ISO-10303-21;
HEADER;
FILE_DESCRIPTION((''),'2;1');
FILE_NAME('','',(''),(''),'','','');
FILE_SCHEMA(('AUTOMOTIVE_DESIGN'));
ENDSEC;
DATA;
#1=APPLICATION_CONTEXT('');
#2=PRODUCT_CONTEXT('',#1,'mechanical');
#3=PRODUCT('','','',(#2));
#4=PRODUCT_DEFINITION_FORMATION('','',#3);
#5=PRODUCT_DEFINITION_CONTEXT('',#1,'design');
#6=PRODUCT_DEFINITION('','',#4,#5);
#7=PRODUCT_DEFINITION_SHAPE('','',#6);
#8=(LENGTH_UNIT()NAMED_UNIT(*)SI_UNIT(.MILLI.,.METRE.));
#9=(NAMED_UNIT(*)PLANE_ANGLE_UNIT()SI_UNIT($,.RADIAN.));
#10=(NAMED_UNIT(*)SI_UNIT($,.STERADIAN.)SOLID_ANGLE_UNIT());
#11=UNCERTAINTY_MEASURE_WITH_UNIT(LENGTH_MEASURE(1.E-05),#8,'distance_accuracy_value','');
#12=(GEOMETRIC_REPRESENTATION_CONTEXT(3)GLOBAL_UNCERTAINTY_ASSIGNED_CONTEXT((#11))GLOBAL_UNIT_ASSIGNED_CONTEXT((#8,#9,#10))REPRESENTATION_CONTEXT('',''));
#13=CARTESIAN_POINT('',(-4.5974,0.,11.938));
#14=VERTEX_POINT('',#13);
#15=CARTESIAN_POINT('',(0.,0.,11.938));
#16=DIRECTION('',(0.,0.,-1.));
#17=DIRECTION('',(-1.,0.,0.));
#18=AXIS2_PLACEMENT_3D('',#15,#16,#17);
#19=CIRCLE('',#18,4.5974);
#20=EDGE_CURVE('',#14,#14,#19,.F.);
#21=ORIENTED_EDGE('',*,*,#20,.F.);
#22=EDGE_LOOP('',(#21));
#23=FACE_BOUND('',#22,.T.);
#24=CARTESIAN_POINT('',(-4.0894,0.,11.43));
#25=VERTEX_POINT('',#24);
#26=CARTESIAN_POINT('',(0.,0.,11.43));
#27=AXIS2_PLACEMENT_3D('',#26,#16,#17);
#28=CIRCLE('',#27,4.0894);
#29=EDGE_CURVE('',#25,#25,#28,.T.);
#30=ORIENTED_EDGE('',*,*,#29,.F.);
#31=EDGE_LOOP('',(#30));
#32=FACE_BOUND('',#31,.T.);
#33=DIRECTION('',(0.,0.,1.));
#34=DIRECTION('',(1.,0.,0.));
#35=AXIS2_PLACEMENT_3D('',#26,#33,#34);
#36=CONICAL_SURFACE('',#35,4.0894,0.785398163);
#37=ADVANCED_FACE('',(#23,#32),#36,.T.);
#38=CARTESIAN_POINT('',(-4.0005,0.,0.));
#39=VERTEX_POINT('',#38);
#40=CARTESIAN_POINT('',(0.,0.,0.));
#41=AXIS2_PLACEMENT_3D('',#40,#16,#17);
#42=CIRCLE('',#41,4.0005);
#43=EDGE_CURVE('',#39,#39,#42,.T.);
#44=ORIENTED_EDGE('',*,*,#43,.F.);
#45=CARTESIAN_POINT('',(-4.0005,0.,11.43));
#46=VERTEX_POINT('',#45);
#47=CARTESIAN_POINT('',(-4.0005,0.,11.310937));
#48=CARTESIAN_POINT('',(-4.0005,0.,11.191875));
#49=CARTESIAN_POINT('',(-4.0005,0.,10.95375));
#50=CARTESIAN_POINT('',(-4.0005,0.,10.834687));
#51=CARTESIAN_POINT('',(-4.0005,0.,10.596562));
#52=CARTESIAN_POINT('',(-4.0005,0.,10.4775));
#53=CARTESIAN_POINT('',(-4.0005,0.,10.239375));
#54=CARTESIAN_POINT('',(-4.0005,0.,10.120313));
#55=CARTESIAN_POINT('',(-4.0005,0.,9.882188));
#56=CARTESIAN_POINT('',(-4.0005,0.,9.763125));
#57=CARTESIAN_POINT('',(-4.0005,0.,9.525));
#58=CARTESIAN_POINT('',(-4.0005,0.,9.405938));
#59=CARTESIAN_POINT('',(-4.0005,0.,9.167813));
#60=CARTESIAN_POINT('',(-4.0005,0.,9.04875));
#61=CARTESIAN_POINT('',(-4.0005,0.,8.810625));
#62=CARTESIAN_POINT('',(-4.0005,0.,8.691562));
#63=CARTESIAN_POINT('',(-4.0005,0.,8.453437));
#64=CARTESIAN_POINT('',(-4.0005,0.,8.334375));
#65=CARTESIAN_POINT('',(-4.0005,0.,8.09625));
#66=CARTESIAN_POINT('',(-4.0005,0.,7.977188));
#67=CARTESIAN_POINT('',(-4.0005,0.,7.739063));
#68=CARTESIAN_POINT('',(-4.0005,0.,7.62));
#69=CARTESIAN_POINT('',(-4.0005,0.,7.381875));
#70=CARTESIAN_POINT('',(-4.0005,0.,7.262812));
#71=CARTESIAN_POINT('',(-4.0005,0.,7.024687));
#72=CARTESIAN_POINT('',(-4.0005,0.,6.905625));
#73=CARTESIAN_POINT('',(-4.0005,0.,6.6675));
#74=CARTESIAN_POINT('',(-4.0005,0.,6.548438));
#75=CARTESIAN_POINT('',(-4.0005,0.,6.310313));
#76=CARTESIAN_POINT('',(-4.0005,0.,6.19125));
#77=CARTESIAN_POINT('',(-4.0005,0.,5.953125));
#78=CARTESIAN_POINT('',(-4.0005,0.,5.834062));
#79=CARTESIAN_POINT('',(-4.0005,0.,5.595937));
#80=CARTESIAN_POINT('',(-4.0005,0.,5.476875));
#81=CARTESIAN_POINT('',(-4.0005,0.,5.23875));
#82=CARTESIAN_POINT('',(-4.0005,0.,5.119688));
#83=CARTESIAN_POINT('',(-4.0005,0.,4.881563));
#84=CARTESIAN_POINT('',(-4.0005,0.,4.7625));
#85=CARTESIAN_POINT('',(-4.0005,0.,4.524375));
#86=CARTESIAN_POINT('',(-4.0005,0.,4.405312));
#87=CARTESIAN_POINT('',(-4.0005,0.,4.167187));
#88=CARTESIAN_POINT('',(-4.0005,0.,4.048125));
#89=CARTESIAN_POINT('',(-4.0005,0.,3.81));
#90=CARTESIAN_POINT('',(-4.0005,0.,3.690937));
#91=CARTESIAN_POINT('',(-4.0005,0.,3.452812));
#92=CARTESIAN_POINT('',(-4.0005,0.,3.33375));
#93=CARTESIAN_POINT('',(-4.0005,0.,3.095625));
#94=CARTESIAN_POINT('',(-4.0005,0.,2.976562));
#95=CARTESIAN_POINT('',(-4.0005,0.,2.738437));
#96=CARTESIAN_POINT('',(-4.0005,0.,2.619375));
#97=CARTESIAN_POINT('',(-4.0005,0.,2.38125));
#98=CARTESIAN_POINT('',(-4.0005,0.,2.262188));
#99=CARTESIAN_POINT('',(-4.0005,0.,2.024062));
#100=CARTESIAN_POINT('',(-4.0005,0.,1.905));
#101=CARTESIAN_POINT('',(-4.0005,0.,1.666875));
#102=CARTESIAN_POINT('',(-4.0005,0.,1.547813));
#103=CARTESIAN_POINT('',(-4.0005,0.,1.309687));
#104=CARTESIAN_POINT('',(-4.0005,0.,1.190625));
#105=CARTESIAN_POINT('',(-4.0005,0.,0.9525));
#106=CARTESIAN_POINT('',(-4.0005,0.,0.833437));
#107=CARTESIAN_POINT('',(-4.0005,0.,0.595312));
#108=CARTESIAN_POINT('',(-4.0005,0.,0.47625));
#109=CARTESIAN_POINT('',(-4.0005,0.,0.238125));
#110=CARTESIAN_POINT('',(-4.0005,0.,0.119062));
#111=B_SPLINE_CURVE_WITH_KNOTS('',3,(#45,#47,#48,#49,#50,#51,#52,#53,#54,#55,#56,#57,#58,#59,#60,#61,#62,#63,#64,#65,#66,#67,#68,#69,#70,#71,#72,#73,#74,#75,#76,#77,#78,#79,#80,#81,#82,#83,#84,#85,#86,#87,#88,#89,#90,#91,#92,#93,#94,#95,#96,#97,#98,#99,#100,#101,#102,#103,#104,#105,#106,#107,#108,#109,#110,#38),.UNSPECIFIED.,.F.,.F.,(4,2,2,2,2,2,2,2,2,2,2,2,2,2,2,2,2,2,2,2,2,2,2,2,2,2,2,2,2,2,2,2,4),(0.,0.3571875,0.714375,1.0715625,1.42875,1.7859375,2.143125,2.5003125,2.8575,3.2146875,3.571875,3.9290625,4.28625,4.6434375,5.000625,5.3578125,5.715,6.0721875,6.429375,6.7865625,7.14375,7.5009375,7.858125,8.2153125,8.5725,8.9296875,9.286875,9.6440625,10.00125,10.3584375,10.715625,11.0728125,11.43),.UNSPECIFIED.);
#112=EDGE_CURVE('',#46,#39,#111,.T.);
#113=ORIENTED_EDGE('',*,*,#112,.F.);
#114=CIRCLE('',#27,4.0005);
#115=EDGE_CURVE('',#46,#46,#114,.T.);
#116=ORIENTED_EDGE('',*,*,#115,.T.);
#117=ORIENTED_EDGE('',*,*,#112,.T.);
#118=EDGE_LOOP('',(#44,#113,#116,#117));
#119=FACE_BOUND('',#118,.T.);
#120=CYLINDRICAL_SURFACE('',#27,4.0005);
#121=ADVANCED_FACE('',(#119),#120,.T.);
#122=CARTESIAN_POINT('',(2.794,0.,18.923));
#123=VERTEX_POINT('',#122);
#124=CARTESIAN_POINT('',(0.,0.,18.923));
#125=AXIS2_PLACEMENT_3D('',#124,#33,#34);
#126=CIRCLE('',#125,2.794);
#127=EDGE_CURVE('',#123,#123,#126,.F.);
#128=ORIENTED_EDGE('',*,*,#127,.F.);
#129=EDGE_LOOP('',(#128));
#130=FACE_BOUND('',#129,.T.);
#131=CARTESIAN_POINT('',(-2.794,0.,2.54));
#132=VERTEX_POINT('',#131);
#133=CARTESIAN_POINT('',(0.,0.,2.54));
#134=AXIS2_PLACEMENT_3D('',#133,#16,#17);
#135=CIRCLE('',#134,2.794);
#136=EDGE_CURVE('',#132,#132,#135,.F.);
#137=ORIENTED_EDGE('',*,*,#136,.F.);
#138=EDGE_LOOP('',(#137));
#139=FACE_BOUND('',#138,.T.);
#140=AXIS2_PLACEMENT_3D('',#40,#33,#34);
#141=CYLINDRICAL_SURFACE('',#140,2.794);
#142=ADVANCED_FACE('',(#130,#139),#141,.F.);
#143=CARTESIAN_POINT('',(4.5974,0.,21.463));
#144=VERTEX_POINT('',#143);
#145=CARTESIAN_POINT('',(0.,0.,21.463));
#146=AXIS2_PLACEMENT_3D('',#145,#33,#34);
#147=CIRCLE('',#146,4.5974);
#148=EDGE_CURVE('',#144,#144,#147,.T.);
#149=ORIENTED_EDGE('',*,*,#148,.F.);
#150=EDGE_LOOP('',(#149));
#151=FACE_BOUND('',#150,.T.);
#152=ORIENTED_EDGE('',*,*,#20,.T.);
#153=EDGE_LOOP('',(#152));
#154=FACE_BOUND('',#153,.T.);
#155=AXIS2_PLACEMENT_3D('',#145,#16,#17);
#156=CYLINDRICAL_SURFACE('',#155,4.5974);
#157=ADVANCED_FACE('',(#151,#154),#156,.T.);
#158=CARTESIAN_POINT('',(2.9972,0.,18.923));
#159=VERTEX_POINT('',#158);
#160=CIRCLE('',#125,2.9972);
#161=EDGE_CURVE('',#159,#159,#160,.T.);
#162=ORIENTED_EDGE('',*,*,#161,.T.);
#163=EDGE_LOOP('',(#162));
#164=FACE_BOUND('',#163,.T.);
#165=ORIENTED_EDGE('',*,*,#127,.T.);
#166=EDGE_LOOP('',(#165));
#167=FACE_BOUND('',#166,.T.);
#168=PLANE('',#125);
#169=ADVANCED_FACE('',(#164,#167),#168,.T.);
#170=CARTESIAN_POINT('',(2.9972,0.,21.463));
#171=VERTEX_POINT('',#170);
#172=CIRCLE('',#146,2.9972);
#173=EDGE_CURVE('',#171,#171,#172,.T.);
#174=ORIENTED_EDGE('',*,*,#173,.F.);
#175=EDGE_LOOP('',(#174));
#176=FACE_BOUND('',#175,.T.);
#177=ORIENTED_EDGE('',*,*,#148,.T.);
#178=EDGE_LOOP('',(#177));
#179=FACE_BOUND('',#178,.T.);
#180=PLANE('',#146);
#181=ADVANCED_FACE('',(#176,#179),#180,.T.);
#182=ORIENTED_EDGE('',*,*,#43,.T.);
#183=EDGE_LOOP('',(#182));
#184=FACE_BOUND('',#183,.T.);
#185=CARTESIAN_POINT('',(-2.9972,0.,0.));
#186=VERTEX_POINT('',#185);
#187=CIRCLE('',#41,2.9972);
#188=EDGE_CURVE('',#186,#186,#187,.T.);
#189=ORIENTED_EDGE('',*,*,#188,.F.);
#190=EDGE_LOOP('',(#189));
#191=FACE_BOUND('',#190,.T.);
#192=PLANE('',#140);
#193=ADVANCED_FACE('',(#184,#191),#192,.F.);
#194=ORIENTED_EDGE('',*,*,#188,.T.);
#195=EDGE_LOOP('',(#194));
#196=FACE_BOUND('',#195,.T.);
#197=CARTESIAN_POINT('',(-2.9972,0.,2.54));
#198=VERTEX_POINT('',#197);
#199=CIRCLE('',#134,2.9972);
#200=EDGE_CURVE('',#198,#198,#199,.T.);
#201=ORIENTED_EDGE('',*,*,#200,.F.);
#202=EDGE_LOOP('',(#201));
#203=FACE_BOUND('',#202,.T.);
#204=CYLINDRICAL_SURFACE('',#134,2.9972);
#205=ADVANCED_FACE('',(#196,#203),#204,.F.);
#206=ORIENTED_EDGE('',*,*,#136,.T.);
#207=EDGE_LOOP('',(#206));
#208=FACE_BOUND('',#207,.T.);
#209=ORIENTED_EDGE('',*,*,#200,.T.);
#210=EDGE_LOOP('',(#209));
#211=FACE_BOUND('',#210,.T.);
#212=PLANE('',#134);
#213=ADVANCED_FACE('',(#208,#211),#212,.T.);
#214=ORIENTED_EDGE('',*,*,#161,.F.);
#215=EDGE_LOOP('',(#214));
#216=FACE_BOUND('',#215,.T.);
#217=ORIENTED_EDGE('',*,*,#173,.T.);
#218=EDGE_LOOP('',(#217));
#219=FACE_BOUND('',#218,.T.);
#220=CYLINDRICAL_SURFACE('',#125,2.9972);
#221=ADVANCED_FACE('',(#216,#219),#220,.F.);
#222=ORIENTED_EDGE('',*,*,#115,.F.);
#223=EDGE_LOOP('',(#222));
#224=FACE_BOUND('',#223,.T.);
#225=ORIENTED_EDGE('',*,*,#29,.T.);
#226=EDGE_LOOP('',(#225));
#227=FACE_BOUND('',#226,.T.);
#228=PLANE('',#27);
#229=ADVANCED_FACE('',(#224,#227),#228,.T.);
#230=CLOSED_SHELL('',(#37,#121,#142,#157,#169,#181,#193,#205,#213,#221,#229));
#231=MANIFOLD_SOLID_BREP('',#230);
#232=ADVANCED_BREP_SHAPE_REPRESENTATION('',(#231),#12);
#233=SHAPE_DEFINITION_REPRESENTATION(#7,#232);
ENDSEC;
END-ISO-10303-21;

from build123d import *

# Parameters (mm, degrees)
SKETCH1_R          = 4.5974
EXTRUDE1_DEPTH     = 21.463
SKETCH3_R          = 2.794
CUT_EXTRUDE2_DEPTH = 23.426157551
SKETCH4_R          = 2.9972
CUT_EXTRUDE3_DEPTH = 2.54
SKETCH5_OUTSIDE_W  = 16.212
SKETCH5_OUTSIDE_H  = 16.212
SKETCH5_OUTSIDE_R  = 4.0005
CUT_EXTRUDE4_DEPTH = 11.43
CUT_EXTRUDE5_START = -2.54
SKETCH6_R          = 2.9972
CUT_EXTRUDE5_DEPTH = 2.54
CHAMFER1_SIZE      = 0.508


with BuildPart() as part:
    # Sketch1 → Extrude1 (new body)
    with BuildSketch(Plane.XY):
        Circle(SKETCH1_R)
    extrude(amount=EXTRUDE1_DEPTH)

    # Sketch3 → Cut-Extrude2 (cut, through all)
    with BuildSketch(Plane.XY.offset(21.463)):
        Circle(SKETCH3_R)
    extrude(amount=-CUT_EXTRUDE2_DEPTH, mode=Mode.SUBTRACT)

    # Sketch4 → Cut-Extrude3 (cut)
    with BuildSketch(Plane.XY.offset(21.463)):
        Circle(SKETCH4_R)
    extrude(amount=-CUT_EXTRUDE3_DEPTH, mode=Mode.SUBTRACT)

    # Sketch5 outside → Cut-Extrude4 (cut)
    with BuildSketch(Plane(origin=(0, 0, 0), x_dir=(-1, 0, 0), z_dir=(0, 0, -1))):
        Rectangle(SKETCH5_OUTSIDE_W, SKETCH5_OUTSIDE_H)
        Circle(SKETCH5_OUTSIDE_R, mode=Mode.SUBTRACT)
    extrude(amount=-CUT_EXTRUDE4_DEPTH, mode=Mode.SUBTRACT)

    # Sketch6 → Cut-Extrude5 (cut)
    with BuildSketch(Plane(origin=(0, 0, 0), x_dir=(-1, 0, 0), z_dir=(0, 0, -1)).offset(CUT_EXTRUDE5_START)):
        with Locations(Location((0, 0, 0), (0, 0, 180))):
            Circle(SKETCH6_R)
    extrude(amount=CUT_EXTRUDE5_DEPTH, mode=Mode.SUBTRACT)

    # Chamfer1
    chamfer1_edges = [part.edges().sort_by_distance(p)[0] for p in [
        (-4.5974, 0, 11.43),
    ]]
    chamfer(chamfer1_edges, length=CHAMFER1_SIZE)


solid = part.part
